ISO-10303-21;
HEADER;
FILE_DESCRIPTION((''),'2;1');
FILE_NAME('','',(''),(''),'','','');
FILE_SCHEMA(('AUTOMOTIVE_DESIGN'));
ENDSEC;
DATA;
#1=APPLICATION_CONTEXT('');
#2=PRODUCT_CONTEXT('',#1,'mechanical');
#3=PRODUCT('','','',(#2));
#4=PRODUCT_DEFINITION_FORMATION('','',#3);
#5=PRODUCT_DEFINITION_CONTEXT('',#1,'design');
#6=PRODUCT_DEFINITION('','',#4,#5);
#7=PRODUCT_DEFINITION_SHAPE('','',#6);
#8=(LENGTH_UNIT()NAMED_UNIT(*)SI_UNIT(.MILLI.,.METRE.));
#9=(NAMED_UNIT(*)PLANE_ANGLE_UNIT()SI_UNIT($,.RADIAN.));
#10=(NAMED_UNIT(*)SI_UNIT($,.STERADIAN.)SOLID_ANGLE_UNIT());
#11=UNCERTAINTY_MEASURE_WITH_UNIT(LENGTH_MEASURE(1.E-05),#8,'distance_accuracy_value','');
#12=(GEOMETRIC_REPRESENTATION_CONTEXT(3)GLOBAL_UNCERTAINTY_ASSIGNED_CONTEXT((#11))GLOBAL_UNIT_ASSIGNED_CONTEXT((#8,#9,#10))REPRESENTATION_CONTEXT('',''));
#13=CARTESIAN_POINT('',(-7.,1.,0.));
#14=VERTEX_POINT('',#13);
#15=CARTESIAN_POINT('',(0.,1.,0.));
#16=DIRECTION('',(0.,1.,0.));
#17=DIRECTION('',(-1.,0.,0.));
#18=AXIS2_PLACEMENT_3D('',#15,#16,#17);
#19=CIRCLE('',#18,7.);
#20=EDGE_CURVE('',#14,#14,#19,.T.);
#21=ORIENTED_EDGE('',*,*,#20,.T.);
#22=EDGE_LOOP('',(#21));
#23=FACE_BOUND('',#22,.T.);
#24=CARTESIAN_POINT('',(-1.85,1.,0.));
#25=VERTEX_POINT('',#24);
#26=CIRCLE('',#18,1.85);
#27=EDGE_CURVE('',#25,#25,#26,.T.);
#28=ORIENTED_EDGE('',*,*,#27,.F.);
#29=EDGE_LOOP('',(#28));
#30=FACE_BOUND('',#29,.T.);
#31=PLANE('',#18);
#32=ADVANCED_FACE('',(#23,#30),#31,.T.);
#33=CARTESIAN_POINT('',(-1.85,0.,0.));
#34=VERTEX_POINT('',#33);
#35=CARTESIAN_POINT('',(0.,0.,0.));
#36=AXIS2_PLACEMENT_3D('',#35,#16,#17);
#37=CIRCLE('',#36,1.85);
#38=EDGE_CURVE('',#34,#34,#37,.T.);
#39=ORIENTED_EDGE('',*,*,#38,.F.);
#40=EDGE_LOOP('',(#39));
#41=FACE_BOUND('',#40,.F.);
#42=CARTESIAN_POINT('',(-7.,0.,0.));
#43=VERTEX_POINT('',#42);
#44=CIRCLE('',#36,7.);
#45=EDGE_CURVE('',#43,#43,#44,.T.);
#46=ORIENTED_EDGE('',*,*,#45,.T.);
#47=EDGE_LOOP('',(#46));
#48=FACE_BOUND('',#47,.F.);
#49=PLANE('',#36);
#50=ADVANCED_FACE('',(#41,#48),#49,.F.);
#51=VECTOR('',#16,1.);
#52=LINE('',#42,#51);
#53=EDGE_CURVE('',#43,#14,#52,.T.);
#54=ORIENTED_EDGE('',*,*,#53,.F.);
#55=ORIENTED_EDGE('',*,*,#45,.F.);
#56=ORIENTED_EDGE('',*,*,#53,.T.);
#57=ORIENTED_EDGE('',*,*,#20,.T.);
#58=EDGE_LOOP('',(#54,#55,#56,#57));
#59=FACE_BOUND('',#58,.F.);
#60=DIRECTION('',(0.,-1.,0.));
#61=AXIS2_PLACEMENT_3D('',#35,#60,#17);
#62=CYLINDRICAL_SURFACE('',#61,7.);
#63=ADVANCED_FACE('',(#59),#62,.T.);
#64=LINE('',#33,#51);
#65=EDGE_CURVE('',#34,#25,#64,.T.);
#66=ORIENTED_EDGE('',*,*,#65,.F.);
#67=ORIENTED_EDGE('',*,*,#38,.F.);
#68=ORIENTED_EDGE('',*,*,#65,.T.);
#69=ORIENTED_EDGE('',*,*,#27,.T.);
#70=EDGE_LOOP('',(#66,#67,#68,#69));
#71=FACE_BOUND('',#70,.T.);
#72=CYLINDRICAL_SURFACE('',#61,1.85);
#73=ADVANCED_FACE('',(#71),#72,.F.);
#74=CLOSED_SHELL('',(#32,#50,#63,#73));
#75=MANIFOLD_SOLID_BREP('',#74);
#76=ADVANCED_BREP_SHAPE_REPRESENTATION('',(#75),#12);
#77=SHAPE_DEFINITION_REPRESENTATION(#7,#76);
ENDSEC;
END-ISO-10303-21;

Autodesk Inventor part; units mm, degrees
ref_plane "YZ Plane" through (0, 0, 0) normal (1, 0, 0) x (0, 1, 0)
ref_plane "XZ Plane" through (0, 0, 0) normal (0, 1, 0) x (-1, 0, 0)
ref_plane "XY Plane" through (0, 0, 0) normal (0, 0, 1) x (1, 0, 0)
sketch "Sketch1" plane through (0, 0, 0) normal (0, 1, 0) x (-1, 0, 0)
  circle A0 centre (0, 0) radius 7
  circle A1 centre (0, 0) radius 1.85
  dimension "d0" = 14
  dimension "d1" = 3.7
extrude "Extrusion1" add sketch "Sketch1" along normal blind 1
properties part number "Aruela peça 9" material "Acetal Resin, White"
